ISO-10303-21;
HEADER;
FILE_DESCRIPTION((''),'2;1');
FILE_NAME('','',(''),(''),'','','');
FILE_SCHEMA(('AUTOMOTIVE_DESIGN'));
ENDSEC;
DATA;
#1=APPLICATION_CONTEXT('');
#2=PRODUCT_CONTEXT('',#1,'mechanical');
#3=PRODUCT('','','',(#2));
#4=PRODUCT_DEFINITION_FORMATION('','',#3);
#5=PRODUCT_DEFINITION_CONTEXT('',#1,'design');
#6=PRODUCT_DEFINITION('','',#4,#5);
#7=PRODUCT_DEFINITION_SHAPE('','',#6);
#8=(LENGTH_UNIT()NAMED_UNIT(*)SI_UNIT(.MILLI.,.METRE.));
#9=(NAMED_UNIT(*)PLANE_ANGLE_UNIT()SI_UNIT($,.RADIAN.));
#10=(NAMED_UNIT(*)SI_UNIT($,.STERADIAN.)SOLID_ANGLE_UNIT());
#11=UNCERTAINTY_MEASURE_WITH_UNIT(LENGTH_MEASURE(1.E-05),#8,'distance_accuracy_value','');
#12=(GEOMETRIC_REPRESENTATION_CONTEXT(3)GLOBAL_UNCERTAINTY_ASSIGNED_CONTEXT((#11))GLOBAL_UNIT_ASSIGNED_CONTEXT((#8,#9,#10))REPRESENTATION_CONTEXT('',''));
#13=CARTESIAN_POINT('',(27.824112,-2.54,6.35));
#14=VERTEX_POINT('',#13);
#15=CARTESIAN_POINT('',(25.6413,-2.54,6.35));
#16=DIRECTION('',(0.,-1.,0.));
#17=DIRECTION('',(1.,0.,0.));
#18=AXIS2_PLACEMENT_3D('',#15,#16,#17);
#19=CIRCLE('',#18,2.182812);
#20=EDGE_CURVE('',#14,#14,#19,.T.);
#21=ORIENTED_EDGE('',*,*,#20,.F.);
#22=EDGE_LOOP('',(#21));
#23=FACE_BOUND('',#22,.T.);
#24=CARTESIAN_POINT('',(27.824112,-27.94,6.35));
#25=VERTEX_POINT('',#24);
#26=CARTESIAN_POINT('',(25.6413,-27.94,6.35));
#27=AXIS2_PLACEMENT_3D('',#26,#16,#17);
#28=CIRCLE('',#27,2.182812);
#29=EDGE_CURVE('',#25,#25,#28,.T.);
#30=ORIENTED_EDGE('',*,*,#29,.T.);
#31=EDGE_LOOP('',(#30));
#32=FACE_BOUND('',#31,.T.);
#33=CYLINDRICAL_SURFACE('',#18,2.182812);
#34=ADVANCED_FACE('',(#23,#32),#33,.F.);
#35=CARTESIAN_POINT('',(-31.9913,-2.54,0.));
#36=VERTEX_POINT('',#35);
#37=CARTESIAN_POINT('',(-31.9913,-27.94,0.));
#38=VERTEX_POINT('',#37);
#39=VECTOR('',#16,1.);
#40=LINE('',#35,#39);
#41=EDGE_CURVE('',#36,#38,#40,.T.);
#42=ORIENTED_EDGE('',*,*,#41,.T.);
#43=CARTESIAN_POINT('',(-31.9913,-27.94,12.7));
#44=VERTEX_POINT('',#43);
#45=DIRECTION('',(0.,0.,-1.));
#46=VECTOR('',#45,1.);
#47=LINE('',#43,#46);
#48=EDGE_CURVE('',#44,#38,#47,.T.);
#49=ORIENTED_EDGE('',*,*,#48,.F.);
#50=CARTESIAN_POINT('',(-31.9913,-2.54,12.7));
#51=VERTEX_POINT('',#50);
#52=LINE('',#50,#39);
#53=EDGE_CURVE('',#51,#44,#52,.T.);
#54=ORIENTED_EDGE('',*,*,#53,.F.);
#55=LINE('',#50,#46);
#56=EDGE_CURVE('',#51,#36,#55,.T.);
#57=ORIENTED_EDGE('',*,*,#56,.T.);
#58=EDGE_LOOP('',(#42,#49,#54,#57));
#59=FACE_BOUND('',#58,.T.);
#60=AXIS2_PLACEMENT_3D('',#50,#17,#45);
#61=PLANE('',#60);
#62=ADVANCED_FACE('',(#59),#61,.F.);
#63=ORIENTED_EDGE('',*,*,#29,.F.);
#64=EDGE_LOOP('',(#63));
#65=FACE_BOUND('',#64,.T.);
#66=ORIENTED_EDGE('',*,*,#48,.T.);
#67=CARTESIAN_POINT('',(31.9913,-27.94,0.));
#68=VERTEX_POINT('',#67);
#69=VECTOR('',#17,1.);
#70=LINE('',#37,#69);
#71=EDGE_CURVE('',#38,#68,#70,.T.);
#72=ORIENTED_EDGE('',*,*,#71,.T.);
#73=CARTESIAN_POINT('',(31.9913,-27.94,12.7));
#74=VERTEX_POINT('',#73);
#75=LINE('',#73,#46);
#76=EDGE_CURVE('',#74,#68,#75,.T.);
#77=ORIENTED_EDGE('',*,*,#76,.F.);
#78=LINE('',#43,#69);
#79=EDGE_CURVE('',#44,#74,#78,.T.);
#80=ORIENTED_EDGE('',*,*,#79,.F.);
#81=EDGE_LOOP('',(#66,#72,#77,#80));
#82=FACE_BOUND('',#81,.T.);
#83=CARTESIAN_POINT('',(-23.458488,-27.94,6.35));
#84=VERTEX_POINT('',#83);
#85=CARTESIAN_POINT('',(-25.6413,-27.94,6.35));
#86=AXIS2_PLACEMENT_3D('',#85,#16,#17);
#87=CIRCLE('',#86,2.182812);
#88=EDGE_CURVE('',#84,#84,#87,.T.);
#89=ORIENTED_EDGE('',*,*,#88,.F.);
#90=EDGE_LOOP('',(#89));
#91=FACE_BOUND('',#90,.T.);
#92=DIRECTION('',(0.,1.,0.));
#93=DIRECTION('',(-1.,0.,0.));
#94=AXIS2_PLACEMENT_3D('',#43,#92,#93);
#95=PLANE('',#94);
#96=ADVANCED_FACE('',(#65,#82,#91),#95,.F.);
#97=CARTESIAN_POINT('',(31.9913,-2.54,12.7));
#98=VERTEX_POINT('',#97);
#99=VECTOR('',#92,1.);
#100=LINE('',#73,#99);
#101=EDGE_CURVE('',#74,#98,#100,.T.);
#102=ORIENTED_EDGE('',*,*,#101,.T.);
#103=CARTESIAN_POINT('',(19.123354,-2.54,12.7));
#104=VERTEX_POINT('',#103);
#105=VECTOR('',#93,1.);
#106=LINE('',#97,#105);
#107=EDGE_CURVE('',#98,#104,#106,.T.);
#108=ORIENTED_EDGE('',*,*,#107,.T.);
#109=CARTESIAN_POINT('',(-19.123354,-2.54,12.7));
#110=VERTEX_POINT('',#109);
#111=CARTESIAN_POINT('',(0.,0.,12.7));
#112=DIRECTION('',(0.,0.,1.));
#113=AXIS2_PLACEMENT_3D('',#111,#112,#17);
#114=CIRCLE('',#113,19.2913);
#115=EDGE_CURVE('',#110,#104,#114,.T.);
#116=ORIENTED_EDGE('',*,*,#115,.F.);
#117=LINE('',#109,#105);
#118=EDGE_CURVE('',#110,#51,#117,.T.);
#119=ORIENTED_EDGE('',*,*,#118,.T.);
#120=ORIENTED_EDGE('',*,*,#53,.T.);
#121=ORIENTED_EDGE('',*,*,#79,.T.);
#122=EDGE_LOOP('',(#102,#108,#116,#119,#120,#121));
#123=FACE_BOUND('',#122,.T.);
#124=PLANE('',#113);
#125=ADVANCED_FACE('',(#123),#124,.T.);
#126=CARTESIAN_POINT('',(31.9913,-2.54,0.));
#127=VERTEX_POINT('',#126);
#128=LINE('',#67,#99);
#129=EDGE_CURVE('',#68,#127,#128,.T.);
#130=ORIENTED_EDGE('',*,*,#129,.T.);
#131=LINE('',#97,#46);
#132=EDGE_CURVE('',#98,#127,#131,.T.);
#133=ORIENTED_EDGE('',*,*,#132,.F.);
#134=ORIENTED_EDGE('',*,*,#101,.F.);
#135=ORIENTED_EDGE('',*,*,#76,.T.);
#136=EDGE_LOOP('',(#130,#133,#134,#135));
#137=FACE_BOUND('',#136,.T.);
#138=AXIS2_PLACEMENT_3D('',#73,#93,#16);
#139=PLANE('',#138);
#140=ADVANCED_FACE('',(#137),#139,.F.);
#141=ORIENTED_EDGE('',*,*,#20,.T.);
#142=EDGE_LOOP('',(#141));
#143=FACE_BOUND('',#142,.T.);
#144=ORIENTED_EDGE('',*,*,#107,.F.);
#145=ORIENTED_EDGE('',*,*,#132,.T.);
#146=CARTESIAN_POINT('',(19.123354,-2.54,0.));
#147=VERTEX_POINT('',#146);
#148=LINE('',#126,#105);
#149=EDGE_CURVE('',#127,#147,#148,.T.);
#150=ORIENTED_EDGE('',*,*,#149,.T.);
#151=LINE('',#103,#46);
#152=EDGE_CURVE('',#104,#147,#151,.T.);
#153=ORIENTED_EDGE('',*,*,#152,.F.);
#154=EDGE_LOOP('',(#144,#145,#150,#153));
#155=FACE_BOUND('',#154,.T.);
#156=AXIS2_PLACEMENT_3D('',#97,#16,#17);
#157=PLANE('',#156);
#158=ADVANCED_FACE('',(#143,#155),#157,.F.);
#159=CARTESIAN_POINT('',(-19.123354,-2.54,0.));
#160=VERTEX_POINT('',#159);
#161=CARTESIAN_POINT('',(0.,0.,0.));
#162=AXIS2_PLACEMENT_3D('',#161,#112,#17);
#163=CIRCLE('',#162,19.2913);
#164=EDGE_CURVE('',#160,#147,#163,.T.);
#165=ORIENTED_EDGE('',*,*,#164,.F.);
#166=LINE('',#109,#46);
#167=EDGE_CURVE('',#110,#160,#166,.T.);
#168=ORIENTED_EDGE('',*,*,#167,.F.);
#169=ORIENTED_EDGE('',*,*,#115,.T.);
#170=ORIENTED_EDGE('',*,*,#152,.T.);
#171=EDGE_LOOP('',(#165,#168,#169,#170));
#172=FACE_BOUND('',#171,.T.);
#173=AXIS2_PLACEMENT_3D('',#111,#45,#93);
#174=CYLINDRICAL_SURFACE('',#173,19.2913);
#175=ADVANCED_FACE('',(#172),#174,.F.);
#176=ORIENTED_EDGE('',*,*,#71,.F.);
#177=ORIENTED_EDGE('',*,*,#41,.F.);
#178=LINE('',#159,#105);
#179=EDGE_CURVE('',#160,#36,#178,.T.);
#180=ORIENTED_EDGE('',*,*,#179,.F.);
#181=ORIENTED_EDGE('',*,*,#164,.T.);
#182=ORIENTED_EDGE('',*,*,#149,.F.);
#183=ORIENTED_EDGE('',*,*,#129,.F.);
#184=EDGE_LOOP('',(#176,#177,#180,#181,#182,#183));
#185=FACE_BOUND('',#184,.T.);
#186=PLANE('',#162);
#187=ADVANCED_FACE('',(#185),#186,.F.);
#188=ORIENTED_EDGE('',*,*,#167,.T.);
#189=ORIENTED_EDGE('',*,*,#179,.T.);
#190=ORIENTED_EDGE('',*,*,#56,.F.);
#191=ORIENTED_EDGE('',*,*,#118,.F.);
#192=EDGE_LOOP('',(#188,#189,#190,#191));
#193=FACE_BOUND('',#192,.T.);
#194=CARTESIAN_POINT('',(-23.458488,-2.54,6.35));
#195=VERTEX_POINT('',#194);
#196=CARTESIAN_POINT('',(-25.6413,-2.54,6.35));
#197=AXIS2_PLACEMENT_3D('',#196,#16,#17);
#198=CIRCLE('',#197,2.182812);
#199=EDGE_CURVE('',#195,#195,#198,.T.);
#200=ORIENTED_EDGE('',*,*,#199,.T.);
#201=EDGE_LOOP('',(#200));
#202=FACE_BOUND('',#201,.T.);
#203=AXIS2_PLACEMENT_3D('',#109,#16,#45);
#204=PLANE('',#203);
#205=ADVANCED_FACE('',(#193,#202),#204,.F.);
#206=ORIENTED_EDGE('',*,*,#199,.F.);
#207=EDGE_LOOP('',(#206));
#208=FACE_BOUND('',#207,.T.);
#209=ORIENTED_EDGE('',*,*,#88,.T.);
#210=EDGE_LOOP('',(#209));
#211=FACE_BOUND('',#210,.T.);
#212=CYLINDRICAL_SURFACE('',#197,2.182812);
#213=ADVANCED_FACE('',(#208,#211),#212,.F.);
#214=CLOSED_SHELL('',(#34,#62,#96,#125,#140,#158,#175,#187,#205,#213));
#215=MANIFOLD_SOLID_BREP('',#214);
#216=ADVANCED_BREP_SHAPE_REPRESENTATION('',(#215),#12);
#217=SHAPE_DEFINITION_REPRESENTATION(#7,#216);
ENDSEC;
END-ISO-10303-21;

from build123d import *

# Parameters (mm, degrees)
BOSS_EXTRUDE1_DEPTH = 12.7
SKETCH2_R           = 2.1828125
CUT_EXTRUDE1_DEPTH  = 43.777251848


with BuildPart() as part:
    # Sketch1 → Boss-Extrude1 (new body)
    with BuildSketch(Plane.XY):
        with BuildLine():
            Line((-19.123353673, -2.54), (-31.9913, -2.54))
            Line((-31.9913, -2.54), (-31.9913, -27.94))
            Line((-31.9913, -27.94), (31.9913, -27.94))
            Line((31.9913, -27.94), (31.9913, -2.54))
            Line((31.9913, -2.54), (19.123353673, -2.54))
            ThreePointArc((19.123353673, -2.54), (0, -19.2913), (-19.123353673, -2.54))
        make_face()
    extrude(amount=BOSS_EXTRUDE1_DEPTH)

    # Sketch2 → Cut-Extrude1 (cut, through all)
    with BuildSketch(Plane.XZ.offset(27.94)):
        with Locations((-25.6413, 6.35)):
            Circle(SKETCH2_R)
        with Locations((25.6413, 6.35)):
            Circle(SKETCH2_R)
    extrude(amount=-CUT_EXTRUDE1_DEPTH, mode=Mode.SUBTRACT)


solid = part.part
